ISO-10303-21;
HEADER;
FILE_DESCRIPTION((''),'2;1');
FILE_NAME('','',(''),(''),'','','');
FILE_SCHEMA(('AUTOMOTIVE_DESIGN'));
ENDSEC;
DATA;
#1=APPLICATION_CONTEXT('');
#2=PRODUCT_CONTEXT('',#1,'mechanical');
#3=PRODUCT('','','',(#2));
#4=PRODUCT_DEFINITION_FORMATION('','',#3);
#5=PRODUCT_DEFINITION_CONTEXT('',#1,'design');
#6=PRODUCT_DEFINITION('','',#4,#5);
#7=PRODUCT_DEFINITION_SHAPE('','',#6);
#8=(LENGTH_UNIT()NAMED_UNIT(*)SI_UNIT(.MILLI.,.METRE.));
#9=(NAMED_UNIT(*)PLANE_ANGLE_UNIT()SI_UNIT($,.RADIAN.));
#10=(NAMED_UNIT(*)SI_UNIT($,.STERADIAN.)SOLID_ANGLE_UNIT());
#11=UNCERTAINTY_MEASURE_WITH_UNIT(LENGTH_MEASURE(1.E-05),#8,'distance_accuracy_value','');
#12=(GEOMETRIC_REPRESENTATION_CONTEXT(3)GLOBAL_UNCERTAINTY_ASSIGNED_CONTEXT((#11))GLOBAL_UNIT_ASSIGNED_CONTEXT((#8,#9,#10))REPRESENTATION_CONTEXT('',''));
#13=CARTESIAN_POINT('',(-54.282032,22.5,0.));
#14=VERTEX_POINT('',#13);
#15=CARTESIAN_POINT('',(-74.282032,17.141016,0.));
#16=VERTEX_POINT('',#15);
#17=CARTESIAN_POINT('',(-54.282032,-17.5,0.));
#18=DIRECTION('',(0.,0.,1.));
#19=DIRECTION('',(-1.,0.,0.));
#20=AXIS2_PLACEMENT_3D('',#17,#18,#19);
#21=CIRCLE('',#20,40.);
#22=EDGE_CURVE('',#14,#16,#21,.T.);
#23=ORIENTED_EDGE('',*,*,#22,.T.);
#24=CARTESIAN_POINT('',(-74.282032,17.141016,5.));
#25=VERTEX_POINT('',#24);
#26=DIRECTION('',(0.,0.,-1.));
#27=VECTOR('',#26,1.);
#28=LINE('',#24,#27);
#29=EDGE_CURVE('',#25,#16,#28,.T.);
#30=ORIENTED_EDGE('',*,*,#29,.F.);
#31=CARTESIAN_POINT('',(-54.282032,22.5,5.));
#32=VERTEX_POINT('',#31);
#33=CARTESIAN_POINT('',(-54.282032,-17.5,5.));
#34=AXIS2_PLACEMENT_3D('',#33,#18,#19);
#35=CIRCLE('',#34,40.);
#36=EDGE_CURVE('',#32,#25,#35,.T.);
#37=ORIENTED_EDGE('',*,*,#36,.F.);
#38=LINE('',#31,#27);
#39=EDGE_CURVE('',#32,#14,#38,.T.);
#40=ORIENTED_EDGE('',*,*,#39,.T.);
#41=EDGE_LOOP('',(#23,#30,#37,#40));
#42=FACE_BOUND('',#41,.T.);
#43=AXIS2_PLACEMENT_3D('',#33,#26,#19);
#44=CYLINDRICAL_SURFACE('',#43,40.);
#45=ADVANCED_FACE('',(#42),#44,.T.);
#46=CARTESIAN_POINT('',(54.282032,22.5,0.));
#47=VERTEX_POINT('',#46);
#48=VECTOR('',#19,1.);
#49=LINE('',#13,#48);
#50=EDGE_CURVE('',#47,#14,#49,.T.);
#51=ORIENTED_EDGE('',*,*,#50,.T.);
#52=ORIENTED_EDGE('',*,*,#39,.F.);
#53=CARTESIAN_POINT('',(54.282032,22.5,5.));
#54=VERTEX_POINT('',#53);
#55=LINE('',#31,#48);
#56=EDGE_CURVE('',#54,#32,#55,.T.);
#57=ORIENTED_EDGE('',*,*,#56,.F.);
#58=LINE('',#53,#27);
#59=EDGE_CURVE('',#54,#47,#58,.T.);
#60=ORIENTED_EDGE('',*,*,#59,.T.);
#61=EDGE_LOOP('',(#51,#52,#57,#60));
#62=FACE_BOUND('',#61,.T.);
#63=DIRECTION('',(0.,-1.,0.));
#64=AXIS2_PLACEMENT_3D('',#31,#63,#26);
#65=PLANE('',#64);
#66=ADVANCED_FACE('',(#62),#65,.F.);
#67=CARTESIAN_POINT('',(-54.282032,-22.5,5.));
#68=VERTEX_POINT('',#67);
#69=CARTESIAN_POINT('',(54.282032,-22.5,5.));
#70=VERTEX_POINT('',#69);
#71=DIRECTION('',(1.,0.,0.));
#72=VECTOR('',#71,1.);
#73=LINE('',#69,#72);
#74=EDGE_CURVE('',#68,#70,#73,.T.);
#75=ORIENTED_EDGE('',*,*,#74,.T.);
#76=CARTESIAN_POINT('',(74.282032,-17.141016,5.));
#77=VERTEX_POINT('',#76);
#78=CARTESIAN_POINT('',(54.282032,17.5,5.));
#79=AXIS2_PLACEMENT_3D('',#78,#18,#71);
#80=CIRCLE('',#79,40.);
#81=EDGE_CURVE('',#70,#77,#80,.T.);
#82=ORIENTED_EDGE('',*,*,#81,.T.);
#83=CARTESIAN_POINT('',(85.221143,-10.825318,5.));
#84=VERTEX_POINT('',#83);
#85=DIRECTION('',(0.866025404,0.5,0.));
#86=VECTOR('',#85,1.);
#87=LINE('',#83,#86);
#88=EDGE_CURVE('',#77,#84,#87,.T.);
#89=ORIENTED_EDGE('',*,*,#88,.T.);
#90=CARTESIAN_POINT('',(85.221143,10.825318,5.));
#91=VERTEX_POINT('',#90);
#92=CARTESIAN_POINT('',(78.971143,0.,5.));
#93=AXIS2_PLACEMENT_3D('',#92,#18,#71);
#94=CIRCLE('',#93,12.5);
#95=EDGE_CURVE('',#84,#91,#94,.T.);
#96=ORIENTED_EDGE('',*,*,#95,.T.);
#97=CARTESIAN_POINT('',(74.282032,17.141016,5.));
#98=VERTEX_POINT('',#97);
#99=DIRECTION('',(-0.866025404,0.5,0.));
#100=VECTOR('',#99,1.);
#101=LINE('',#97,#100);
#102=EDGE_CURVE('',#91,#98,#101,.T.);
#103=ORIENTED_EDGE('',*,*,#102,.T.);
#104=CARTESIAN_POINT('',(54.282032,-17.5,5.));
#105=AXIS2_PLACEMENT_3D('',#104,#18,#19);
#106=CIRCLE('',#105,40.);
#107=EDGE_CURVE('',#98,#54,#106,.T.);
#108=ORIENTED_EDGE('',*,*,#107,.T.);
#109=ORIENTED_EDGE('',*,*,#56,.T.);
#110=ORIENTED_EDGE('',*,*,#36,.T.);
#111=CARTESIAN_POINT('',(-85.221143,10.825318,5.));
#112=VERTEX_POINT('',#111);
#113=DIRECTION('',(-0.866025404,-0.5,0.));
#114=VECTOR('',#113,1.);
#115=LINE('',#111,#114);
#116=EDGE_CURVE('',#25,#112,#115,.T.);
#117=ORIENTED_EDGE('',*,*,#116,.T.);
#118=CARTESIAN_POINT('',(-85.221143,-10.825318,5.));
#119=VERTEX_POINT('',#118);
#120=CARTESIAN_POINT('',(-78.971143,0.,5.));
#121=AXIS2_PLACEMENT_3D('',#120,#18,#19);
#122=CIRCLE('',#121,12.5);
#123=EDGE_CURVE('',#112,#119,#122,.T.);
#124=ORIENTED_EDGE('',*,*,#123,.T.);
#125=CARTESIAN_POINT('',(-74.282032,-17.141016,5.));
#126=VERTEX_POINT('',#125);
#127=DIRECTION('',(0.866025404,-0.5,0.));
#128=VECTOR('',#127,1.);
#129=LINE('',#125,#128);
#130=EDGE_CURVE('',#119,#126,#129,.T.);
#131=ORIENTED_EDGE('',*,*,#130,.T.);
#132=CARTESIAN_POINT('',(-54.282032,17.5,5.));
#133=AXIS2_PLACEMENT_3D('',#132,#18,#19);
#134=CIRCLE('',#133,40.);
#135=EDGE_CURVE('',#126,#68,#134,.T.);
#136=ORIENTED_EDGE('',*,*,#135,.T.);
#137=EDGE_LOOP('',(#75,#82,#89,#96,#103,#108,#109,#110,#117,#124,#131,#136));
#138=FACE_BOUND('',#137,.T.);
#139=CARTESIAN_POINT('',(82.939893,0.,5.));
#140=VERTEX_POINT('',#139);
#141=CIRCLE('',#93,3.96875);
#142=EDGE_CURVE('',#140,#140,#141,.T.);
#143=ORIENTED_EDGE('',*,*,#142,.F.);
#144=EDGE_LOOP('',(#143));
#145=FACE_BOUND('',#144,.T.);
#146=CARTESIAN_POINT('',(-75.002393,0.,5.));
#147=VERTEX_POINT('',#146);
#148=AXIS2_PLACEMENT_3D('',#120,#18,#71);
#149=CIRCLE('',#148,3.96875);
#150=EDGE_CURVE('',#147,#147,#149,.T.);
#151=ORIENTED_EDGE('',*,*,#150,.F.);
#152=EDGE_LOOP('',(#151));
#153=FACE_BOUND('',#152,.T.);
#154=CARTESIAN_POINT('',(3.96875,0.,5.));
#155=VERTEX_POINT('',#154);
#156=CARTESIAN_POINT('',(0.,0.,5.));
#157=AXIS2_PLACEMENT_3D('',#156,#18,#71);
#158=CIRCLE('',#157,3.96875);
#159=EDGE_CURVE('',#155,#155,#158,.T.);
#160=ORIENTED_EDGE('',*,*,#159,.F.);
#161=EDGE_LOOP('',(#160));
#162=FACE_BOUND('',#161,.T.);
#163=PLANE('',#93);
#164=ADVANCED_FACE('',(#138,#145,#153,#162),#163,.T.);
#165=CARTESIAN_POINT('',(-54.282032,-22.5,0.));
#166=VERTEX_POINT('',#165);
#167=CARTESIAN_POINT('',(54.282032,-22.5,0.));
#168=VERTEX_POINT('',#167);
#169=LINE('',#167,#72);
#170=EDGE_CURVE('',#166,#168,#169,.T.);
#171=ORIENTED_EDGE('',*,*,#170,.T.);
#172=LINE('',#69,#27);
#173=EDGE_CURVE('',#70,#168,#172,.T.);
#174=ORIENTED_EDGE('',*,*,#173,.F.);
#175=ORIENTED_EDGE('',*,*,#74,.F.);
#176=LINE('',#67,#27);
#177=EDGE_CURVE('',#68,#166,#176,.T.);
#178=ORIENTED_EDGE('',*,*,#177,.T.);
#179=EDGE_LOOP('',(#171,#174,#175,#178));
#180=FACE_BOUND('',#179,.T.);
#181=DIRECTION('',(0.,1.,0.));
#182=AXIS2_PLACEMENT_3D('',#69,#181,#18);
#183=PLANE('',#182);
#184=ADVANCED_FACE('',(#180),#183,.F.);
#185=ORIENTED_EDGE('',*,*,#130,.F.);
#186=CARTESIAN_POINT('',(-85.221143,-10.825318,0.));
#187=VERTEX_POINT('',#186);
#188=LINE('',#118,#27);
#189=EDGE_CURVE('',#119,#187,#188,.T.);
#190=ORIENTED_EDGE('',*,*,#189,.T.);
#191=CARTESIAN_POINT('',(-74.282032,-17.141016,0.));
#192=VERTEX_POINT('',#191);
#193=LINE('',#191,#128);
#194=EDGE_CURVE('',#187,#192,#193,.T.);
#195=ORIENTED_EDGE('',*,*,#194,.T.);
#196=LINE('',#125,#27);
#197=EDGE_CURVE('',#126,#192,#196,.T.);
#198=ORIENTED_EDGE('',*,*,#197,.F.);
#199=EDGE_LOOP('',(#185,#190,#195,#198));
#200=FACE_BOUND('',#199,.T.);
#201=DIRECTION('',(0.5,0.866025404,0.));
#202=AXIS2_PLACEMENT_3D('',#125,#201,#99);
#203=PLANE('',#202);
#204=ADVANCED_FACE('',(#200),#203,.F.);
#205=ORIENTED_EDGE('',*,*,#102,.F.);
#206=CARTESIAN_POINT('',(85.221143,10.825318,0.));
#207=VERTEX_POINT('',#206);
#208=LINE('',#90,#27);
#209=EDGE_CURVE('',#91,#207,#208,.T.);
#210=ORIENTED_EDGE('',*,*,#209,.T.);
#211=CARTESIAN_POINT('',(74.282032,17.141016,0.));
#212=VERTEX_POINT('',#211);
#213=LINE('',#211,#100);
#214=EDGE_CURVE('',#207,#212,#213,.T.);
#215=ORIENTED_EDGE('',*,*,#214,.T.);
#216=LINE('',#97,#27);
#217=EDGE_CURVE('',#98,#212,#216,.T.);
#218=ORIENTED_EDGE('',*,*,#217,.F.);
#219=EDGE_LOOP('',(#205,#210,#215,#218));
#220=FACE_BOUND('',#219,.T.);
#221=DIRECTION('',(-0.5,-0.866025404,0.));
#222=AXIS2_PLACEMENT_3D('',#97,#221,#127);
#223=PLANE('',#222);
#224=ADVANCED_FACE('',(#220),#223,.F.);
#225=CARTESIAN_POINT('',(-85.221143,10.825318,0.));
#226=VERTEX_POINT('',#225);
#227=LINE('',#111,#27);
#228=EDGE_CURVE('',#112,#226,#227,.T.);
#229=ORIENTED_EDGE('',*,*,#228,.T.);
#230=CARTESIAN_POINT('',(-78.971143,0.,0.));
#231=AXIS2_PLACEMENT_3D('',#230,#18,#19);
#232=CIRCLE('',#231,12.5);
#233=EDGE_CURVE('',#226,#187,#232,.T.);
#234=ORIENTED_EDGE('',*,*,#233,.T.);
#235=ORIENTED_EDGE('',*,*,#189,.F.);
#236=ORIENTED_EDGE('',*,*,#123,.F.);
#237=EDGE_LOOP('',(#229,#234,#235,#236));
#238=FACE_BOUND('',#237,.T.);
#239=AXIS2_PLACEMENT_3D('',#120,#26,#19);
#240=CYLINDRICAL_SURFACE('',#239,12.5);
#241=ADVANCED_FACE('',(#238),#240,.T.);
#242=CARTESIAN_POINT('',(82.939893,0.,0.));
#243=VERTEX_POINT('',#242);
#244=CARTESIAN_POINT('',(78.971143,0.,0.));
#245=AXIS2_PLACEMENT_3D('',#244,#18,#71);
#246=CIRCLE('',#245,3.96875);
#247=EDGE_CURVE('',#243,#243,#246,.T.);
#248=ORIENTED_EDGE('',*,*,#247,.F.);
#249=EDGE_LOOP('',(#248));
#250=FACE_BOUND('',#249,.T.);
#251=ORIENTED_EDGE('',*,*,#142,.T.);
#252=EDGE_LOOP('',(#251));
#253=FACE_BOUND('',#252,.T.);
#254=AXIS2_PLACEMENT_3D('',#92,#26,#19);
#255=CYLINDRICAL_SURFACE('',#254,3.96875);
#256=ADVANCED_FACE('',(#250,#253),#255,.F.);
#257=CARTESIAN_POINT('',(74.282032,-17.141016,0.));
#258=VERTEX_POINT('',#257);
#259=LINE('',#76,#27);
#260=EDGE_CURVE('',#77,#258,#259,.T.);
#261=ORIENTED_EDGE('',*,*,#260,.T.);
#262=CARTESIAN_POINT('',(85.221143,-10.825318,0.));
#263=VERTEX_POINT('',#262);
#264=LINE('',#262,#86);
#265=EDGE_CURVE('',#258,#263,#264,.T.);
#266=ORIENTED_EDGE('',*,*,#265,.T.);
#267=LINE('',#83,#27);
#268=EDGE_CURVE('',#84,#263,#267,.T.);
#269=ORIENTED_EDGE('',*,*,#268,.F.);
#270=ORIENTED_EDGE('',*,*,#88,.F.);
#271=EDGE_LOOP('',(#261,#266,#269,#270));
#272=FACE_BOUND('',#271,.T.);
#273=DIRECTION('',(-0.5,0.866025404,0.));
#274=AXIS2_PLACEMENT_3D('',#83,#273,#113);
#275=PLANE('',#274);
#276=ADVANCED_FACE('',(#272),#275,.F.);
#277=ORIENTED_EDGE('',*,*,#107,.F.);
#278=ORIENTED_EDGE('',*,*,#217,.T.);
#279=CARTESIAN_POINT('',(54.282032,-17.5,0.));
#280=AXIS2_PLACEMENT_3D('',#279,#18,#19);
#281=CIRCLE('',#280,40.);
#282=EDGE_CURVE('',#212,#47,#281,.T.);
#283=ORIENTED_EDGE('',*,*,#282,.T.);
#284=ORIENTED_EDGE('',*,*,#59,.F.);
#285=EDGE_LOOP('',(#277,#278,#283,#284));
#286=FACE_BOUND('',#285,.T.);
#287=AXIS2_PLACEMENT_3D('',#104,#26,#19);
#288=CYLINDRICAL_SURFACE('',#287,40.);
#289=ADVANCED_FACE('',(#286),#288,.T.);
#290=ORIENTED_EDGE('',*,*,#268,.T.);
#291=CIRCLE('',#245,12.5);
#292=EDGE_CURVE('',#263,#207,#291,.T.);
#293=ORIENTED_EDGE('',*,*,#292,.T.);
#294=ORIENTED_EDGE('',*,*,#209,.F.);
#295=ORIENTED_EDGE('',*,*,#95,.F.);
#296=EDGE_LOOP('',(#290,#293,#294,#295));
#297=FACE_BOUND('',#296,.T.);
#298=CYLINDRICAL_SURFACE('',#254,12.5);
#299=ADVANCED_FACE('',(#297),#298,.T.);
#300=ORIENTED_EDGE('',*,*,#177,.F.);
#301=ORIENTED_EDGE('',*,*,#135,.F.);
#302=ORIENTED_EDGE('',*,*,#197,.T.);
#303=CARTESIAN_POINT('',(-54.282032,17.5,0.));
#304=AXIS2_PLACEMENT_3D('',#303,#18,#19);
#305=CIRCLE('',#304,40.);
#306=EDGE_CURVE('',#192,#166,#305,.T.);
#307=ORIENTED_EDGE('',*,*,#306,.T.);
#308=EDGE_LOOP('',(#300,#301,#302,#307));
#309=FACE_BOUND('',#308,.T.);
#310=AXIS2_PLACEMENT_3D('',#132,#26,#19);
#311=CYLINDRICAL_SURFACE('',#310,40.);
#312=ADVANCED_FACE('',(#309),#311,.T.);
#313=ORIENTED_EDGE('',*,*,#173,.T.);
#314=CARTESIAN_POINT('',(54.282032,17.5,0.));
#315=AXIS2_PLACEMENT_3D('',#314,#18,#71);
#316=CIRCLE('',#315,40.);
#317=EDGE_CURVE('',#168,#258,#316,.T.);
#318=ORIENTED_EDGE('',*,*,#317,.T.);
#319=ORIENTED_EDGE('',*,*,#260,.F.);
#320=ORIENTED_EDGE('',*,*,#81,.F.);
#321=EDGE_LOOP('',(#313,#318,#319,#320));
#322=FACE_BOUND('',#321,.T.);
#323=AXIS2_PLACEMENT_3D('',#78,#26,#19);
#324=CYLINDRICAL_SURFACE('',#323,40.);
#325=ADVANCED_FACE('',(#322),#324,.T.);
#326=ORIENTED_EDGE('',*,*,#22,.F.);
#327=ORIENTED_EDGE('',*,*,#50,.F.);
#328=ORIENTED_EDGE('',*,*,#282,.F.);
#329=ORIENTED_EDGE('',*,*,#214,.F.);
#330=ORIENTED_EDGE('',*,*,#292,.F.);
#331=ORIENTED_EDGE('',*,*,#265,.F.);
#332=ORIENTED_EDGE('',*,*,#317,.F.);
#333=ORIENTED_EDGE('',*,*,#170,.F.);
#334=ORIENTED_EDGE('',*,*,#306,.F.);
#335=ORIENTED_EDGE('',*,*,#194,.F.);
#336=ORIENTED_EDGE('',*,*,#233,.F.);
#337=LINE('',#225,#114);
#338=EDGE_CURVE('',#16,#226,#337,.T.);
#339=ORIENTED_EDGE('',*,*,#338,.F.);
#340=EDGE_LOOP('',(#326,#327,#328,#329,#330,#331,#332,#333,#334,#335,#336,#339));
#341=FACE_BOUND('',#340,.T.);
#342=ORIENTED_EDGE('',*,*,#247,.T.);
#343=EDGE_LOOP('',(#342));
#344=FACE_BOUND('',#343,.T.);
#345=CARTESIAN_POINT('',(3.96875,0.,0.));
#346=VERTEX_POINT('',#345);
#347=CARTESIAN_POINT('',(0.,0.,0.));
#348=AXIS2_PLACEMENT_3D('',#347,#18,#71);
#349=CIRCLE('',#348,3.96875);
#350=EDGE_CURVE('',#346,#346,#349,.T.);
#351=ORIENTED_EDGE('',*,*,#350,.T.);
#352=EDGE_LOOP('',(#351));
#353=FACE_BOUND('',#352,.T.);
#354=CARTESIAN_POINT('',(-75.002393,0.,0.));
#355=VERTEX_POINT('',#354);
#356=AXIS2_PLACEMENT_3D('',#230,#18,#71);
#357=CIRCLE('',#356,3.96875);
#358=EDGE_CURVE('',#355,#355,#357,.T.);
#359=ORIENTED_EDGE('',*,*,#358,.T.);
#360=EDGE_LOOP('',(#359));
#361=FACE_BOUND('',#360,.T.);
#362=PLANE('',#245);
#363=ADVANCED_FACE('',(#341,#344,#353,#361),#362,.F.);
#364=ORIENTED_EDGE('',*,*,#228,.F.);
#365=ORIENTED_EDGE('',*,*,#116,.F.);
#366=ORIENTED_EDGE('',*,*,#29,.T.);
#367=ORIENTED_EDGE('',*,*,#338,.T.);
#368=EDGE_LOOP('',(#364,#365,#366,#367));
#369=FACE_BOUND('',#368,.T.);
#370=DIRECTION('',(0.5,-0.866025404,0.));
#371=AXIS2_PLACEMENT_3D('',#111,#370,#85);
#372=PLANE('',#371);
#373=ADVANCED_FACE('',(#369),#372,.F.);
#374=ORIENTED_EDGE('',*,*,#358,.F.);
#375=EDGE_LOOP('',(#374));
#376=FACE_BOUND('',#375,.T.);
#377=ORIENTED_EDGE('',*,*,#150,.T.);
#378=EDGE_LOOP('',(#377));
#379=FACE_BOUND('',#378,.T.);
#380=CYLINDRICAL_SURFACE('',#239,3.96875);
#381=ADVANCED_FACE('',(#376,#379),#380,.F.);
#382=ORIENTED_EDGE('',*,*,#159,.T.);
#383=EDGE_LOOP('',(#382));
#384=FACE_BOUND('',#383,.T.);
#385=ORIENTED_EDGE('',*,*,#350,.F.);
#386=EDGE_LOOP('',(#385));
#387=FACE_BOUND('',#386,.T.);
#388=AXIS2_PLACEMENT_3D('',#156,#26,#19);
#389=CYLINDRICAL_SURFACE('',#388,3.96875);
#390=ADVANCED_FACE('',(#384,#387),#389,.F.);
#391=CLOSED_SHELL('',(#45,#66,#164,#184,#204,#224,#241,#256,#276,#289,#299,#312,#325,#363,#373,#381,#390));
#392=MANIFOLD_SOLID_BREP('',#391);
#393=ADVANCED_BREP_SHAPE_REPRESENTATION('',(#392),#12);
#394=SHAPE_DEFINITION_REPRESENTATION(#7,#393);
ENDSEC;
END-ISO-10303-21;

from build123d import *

# Parameters (mm, degrees)
SKETCH1_R           = 3.96875
BOSS_EXTRUDE2_DEPTH = 5


with BuildPart() as part:
    # Sketch1 → Boss-Extrude2 (new body)
    with BuildSketch(Plane.XY):
        with BuildLine():
            Line((-54.282032303, 22.5), (54.282032303, 22.5))
            ThreePointArc((54.282032303, 22.5), (64.634794107, 21.137033052), (74.282032303, 17.141016151))
            Line((74.282032303, 17.141016151), (85.22114317, 10.825317547))
            ThreePointArc((85.22114317, 10.825317547), (91.47114317, 0), (85.22114317, -10.825317547))
            Line((85.22114317, -10.825317547), (74.282032303, -17.141016151))
            ThreePointArc((74.282032303, -17.141016151), (64.634794107, -21.137033052), (54.282032303, -22.5))
            Line((54.282032303, -22.5), (-54.282032303, -22.5))
            ThreePointArc((-54.282032303, -22.5), (-64.634794107, -21.137033052), (-74.282032303, -17.141016151))
            Line((-74.282032303, -17.141016151), (-85.22114317, -10.825317547))
            ThreePointArc((-85.22114317, -10.825317547), (-91.47114317, 0), (-85.22114317, 10.825317547))
            Line((-85.22114317, 10.825317547), (-74.282032303, 17.141016151))
            ThreePointArc((-74.282032303, 17.141016151), (-64.634794107, 21.137033052), (-54.282032303, 22.5))
        make_face()
        with Locations((-78.97114317, 0)):
            Circle(SKETCH1_R, mode=Mode.SUBTRACT)
        with Locations((78.97114317, 0)):
            Circle(SKETCH1_R, mode=Mode.SUBTRACT)
        Circle(SKETCH1_R, mode=Mode.SUBTRACT)
    extrude(amount=BOSS_EXTRUDE2_DEPTH)


solid = part.part
